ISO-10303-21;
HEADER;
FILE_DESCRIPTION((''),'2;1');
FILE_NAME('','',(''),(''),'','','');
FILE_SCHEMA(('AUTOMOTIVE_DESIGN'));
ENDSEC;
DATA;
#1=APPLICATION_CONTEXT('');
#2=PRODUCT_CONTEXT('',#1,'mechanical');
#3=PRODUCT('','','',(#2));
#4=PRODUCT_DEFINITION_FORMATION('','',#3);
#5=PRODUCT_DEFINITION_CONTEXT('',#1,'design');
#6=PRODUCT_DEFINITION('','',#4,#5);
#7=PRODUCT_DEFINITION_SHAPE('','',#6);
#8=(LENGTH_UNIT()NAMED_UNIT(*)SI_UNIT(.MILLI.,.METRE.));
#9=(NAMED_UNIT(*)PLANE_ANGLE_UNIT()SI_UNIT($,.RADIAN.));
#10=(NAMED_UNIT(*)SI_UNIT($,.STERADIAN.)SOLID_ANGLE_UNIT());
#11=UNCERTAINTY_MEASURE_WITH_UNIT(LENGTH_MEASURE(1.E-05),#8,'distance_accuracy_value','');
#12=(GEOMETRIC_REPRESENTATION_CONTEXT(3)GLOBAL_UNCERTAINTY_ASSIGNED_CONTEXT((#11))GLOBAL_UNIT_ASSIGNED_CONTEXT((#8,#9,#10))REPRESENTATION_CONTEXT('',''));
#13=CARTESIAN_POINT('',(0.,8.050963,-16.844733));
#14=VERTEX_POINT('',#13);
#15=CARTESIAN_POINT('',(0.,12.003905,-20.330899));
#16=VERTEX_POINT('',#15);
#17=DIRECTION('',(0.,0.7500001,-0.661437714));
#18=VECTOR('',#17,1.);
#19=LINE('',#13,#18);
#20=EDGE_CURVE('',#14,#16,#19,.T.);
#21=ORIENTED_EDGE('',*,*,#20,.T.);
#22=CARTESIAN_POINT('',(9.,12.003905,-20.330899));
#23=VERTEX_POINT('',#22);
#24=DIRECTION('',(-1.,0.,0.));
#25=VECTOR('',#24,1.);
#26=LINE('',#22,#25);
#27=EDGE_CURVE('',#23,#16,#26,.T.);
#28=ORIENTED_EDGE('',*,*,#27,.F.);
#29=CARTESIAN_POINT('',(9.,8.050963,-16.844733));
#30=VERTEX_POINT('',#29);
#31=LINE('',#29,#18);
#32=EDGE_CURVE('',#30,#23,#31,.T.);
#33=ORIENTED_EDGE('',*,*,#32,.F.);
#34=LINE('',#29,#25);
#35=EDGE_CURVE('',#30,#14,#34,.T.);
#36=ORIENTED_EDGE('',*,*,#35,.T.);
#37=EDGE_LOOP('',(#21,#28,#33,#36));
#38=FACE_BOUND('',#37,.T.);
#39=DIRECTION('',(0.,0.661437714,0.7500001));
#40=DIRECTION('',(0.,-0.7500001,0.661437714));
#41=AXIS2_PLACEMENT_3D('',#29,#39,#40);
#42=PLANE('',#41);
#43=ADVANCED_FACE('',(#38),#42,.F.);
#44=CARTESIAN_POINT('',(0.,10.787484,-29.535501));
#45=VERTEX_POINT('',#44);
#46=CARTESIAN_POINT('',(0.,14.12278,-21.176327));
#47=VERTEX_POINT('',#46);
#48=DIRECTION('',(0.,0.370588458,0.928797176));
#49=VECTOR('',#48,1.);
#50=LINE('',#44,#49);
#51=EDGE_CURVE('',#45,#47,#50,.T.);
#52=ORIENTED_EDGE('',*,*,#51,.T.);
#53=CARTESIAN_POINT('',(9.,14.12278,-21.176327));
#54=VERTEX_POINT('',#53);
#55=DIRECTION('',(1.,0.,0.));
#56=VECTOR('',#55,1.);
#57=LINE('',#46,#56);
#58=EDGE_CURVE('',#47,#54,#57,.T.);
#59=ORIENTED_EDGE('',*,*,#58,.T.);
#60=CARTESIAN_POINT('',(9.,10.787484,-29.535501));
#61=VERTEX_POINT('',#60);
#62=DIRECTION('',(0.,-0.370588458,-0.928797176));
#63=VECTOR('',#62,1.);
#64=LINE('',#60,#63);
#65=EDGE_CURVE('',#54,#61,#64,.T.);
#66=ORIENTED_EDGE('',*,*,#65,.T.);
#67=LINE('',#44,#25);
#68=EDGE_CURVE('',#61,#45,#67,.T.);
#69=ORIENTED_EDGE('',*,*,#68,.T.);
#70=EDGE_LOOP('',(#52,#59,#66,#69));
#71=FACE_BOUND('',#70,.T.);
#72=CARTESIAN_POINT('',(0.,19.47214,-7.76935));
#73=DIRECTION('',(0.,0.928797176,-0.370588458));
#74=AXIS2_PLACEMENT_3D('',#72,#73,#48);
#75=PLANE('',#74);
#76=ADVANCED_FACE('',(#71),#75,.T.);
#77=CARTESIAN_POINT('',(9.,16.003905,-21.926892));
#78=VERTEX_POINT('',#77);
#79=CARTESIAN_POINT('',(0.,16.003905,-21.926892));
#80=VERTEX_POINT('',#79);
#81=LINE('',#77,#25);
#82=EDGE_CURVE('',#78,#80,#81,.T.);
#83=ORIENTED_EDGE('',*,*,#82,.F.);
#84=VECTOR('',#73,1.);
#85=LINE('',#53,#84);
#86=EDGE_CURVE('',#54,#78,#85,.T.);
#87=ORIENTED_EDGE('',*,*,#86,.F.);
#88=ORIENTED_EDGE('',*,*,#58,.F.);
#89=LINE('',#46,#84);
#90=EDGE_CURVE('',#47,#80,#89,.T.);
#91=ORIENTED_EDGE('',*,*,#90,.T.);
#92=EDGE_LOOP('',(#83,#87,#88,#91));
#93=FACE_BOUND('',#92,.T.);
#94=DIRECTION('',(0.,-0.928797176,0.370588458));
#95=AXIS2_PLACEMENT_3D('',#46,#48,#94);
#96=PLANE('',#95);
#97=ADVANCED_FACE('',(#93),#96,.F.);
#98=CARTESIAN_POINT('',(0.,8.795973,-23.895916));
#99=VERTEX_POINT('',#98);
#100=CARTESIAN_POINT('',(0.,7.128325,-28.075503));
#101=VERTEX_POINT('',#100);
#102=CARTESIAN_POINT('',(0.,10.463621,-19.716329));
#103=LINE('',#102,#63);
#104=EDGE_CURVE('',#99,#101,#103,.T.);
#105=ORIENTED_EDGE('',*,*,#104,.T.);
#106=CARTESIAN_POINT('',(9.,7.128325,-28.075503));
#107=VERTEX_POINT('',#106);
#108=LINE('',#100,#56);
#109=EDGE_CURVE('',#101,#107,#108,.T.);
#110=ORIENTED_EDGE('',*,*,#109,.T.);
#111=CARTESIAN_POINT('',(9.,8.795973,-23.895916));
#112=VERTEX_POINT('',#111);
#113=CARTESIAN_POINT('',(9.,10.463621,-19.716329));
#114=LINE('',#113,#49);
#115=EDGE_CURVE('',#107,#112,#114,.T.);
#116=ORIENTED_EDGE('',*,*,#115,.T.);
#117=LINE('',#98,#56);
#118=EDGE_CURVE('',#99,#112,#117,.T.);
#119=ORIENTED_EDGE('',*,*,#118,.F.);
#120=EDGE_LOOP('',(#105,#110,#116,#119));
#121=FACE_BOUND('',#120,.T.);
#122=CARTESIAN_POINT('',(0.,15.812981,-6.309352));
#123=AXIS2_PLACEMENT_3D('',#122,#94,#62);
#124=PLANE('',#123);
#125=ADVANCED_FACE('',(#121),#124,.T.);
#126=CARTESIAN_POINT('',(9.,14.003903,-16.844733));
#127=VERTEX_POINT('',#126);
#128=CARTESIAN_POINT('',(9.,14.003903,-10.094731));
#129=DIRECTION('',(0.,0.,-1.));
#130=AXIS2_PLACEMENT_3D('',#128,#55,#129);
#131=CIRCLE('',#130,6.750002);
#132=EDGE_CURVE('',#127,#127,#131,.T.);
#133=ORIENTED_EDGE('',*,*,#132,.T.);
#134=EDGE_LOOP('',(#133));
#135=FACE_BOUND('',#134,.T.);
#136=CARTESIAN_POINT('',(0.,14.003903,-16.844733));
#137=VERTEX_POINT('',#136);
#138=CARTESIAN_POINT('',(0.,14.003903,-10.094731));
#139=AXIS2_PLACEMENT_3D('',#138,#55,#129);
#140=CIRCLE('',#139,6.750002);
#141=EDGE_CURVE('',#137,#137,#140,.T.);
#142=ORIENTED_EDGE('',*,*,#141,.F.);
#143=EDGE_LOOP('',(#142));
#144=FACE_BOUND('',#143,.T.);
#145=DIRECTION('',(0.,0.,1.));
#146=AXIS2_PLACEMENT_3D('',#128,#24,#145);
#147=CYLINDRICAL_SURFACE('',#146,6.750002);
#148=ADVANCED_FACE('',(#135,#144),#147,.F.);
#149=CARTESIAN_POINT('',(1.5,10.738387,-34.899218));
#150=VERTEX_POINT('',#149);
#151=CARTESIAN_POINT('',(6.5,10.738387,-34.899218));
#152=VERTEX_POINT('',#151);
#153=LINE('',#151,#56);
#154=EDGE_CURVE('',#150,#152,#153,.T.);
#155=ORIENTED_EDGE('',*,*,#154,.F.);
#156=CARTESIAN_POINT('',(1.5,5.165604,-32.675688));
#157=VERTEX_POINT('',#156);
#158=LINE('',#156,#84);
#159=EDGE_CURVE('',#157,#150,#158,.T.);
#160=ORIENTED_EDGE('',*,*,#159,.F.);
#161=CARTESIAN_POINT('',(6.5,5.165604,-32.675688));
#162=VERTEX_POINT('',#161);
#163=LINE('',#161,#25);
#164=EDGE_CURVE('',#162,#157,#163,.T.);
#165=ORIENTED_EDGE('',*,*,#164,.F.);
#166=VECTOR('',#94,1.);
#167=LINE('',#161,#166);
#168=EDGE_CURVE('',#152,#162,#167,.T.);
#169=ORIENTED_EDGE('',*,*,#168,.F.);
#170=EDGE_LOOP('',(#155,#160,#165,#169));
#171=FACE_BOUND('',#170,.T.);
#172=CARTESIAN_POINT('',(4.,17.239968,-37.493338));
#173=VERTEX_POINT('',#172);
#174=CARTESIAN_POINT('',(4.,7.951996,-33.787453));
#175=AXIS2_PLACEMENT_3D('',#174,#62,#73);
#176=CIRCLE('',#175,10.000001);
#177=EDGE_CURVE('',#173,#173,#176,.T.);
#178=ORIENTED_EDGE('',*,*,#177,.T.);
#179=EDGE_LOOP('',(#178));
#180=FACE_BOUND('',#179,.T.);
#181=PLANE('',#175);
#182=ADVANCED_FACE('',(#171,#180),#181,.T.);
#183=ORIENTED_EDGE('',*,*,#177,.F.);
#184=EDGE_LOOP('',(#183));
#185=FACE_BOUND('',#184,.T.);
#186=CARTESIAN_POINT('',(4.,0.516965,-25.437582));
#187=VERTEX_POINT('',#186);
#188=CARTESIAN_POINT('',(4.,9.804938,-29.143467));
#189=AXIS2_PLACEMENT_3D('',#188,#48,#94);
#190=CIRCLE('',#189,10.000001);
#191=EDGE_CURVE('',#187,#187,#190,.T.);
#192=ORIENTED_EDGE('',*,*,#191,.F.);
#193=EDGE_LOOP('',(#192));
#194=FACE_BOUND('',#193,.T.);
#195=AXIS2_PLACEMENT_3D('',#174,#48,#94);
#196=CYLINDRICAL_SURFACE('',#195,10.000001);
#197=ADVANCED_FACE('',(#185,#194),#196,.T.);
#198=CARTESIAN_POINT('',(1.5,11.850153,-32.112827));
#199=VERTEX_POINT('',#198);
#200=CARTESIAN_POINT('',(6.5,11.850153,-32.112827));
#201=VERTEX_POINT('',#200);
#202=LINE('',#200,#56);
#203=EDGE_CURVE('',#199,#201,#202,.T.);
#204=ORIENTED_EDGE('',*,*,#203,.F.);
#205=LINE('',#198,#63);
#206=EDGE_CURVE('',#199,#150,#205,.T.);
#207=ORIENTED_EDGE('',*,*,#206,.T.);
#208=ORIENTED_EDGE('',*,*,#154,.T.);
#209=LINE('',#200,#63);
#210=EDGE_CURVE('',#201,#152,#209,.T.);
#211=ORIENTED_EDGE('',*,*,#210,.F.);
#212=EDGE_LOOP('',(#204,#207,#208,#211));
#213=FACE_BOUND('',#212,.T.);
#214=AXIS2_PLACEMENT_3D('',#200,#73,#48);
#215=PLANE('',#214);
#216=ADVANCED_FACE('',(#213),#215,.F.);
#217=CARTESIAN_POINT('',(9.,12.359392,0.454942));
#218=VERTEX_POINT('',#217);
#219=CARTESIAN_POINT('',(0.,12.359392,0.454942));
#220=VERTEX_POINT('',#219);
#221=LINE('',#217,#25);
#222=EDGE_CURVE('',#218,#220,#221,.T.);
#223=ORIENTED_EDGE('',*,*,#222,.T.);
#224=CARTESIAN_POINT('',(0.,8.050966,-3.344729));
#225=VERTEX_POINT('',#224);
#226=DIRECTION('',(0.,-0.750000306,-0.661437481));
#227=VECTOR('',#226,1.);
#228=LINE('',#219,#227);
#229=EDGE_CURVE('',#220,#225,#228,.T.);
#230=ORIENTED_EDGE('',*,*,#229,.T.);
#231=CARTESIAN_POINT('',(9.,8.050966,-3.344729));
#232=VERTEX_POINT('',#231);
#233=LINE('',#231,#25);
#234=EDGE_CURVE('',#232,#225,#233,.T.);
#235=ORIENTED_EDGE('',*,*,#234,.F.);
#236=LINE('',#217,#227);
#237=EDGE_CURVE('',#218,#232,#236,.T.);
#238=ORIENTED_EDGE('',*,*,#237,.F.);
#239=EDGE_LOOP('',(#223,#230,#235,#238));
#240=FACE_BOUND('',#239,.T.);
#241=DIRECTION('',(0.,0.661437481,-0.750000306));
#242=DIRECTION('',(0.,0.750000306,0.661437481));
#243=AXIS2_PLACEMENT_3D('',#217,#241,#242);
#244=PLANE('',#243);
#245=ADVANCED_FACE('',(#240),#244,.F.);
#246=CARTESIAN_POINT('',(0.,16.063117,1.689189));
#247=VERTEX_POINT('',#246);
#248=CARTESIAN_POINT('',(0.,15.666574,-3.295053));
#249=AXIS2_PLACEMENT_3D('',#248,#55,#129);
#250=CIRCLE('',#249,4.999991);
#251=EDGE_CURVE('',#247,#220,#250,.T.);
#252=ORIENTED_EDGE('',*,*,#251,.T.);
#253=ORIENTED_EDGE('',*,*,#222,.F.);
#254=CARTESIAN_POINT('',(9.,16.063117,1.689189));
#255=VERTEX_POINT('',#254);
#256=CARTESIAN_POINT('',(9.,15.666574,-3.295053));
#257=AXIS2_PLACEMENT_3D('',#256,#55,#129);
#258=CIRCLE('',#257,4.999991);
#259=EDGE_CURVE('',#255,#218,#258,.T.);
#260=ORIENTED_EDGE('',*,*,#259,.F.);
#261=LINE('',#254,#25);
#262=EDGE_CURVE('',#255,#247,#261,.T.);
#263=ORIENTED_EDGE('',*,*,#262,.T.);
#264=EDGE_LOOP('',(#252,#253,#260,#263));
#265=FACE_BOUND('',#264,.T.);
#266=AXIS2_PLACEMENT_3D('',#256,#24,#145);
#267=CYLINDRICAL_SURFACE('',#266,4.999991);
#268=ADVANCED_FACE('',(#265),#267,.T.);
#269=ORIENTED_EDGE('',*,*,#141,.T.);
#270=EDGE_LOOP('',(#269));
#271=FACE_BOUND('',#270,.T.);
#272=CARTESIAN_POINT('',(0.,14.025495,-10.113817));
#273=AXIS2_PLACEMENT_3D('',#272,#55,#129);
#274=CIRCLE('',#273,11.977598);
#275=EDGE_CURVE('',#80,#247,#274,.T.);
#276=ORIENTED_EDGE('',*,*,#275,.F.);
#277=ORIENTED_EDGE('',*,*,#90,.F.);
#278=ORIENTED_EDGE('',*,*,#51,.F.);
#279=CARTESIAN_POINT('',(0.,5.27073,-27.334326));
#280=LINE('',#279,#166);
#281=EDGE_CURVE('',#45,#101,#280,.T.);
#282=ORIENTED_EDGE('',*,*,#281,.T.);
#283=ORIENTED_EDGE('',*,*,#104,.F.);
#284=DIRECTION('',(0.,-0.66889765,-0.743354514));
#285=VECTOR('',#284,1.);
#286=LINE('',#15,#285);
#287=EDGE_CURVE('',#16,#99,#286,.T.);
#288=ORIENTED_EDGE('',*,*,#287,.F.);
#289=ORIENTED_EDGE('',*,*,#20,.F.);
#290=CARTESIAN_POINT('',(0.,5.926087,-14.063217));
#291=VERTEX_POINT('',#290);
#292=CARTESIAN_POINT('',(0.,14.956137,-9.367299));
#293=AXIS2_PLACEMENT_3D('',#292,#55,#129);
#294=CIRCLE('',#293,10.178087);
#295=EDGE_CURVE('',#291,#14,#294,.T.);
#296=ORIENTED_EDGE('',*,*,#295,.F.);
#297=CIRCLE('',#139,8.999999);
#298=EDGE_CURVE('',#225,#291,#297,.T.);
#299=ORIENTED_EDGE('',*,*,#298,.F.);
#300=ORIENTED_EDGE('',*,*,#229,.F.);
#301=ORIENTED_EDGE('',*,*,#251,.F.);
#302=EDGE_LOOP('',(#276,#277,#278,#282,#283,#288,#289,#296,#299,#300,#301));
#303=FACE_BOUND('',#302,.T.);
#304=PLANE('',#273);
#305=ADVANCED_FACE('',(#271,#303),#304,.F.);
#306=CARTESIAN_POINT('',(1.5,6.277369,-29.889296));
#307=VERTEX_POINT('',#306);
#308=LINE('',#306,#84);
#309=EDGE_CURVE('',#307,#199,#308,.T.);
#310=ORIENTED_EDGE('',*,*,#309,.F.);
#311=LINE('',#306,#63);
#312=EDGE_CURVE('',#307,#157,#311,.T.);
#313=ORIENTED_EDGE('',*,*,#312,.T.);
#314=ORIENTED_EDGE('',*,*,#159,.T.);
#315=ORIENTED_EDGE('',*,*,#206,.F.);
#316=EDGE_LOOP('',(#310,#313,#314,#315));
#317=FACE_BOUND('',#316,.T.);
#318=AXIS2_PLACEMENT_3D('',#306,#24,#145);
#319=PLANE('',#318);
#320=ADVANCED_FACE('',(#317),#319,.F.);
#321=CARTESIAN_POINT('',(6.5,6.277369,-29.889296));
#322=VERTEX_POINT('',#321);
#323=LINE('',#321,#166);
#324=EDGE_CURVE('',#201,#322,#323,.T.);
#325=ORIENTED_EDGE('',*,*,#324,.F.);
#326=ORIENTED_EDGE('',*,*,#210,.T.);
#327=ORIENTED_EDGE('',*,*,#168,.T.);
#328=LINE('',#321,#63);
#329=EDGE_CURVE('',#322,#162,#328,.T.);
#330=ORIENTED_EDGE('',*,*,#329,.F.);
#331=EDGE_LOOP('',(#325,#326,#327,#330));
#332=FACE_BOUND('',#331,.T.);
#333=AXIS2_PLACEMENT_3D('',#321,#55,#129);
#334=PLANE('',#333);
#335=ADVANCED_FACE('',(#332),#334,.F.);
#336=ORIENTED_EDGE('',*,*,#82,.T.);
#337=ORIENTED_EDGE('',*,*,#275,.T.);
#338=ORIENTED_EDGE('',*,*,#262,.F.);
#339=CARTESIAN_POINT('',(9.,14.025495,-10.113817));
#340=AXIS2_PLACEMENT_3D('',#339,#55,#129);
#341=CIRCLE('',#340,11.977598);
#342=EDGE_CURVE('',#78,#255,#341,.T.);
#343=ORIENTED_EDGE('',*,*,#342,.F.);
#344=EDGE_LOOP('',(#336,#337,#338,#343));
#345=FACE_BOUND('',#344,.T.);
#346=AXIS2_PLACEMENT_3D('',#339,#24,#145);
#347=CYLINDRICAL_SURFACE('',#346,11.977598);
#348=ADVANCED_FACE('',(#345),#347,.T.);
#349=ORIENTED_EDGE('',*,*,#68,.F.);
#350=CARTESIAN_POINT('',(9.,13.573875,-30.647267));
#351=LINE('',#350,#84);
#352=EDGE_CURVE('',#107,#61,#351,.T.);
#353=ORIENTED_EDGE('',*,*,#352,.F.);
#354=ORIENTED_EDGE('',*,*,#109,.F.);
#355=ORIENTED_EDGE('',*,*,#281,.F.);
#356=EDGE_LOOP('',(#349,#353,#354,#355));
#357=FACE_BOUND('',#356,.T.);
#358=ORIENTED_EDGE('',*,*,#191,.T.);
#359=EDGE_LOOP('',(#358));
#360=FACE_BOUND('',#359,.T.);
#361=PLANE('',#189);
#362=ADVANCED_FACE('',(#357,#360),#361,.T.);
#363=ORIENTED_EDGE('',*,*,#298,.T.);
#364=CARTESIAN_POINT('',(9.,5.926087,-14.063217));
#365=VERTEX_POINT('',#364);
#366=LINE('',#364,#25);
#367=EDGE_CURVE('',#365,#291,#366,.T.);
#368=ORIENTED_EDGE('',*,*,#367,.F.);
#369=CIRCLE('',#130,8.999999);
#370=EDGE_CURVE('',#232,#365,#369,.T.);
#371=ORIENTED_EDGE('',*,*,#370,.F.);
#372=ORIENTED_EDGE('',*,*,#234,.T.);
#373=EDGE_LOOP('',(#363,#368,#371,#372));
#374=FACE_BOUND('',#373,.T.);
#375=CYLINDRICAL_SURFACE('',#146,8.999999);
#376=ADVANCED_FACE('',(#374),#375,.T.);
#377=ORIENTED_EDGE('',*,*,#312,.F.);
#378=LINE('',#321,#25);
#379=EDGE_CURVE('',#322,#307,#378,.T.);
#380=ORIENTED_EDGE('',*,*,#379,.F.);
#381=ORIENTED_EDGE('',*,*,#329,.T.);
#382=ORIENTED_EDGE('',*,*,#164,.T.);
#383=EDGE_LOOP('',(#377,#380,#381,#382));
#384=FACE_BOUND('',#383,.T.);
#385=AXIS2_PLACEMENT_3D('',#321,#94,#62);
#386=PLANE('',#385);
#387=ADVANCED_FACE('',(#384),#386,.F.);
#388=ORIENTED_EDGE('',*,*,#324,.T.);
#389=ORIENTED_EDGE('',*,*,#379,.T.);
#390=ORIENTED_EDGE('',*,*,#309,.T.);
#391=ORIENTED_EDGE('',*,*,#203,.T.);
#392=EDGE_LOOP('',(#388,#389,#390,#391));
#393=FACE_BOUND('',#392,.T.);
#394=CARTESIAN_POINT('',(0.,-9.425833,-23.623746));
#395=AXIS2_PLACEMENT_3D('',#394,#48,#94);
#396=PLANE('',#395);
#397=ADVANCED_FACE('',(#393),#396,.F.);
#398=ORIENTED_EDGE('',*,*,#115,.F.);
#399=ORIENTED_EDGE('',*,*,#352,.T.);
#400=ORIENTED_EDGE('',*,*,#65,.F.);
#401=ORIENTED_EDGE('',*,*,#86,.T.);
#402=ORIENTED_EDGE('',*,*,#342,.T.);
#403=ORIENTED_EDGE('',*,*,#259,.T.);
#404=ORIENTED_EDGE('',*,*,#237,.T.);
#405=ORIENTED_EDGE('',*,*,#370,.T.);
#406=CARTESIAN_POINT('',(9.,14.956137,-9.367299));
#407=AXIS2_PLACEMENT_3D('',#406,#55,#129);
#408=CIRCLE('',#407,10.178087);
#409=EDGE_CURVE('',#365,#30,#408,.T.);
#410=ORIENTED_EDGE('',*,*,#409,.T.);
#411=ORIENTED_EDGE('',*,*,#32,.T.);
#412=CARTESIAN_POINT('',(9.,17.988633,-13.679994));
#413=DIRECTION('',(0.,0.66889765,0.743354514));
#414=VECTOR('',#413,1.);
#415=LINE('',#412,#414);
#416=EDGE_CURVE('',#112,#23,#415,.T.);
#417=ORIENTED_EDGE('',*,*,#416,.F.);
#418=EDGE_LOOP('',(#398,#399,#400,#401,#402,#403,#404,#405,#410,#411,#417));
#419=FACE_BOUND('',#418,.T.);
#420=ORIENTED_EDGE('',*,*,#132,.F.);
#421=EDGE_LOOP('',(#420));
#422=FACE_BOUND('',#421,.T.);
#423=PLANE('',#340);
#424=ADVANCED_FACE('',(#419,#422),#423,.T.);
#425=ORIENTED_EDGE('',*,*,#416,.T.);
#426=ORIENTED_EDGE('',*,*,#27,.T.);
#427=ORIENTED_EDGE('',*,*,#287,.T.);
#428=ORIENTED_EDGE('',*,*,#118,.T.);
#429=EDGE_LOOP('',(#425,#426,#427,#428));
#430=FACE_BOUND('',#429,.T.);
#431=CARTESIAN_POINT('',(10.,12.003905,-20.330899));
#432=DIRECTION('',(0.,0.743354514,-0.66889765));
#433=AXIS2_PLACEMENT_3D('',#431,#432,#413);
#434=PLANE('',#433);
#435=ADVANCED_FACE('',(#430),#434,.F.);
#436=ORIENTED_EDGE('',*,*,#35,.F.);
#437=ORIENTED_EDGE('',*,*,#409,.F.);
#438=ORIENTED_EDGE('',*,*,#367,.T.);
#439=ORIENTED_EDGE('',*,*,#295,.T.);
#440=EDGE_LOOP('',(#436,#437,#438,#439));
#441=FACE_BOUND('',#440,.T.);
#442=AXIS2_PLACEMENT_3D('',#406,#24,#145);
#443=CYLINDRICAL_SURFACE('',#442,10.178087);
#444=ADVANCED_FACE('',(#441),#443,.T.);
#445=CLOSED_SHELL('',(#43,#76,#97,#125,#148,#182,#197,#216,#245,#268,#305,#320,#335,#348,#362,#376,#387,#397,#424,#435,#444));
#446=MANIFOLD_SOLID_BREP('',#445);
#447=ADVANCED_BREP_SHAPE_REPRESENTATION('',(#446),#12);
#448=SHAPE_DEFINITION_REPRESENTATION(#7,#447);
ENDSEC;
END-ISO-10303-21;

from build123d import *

# Parameters (mm, degrees)
SKETCH1_R           = 6.750001985
BOSS_EXTRUDE1_DEPTH = 9
SKETCH3_R           = 10.000000826
BOSS_EXTRUDE2_DEPTH = 14
SKETCH4_R           = 10.000000826
SKETCH4_W           = 9
SKETCH4_H           = 8.939675258
CUT_EXTRUDE1_DEPTH  = 9
SKETCH5_W           = 9
SKETCH5_H           = 9
CUT_EXTRUDE2_DEPTH  = 3
SKETCH6_W           = 9
SKETCH6_H           = 9
CUT_EXTRUDE4_DEPTH  = 2
CUT_EXTRUDE5_DEPTH  = 10
SKETCH8_W           = 5
SKETCH8_H           = 6
CUT_EXTRUDE6_DEPTH  = 3


with BuildPart() as part:
    # Sketch1 → Boss-Extrude1 (new body)
    with BuildSketch(Plane(origin=(0, 0, 0), x_dir=(0, 0, -1), z_dir=(1, 0, 0))):
        with BuildLine():
            Line((-0.454941956, 12.359391949), (3.344728948, 8.050966095))
            ThreePointArc((3.344728948, 8.050966095), (8.344592491, 5.175709333), (14.063217322, 5.92608719))
            ThreePointArc((14.063217322, 5.92608719), (15.54600466, 6.868056536), (16.844733397, 8.050963212))
            Line((16.844733397, 8.050963212), (20.330899398, 12.003905107))
            Line((20.330899398, 12.003905107), (21.92689244, 16.003905107))
            ThreePointArc((21.92689244, 16.003905107), (10.143848092, 26.003055139), (-1.689188798, 16.063116838))
            ThreePointArc((-1.689188798, 16.063116838), (-1.448481266, 14.085815778), (-0.454941956, 12.359391949))
        make_face()
        with Locations((10.094731316, 14.003903077)):
            Circle(SKETCH1_R, mode=Mode.SUBTRACT)
    extrude(amount=BOSS_EXTRUDE1_DEPTH)

    # Sketch3 → Boss-Extrude2 (add)
    with BuildSketch(Plane(origin=(0, -5.349360366, -13.40697666), x_dir=(-1, 0, 0), z_dir=(0, -0.3705884577579875, -0.9287971764473427))):
        with Locations(Location((-4, 19.907031212, 0), (0, 0, 90))):
            Circle(SKETCH3_R)
    extrude(amount=BOSS_EXTRUDE2_DEPTH)

    # Sketch4 → Cut-Extrude1 (cut)
    with BuildSketch(Plane(origin=(0, -5.349360366, -13.40697666), x_dir=(1, 0, 0), z_dir=(0, 0.3705884577579875, 0.9287971764473427))):
        with Locations(Location((4, 19.907031212, 0), (0, 0, 270))):
            Circle(SKETCH4_R)
        with Locations((4.5, 19.495062719)):
            Rectangle(SKETCH4_W, SKETCH4_H, mode=Mode.SUBTRACT)
    extrude(amount=-CUT_EXTRUDE1_DEPTH, mode=Mode.SUBTRACT)

    # Sketch5 → Cut-Extrude2 (cut)
    with BuildSketch(Plane(origin=(0, 22.258531777, -8.88111546), x_dir=(1, 0, 0), z_dir=(0, 0.9287971764473427, -0.3705884577579875))):
        with Locations((4.5, 18.934773275)):
            Rectangle(SKETCH5_W, SKETCH5_H)
    extrude(amount=-CUT_EXTRUDE2_DEPTH, mode=Mode.SUBTRACT)

    # Sketch6 → Cut-Extrude4 (cut)
    with BuildSketch(Plane(origin=(0, 13.955386639, -5.568174994), x_dir=(1, 0, 0), z_dir=(0, -0.9287971764473427, 0.3705884577579875))):
        with Locations((4.5, -18.934773275)):
            Rectangle(SKETCH6_W, SKETCH6_H)
    extrude(amount=-CUT_EXTRUDE4_DEPTH, mode=Mode.SUBTRACT)

    # Sketch7 → Cut-Extrude5 (cut)
    with BuildSketch(Plane.ZY):
        Polygon((-20.330899398, 12.003905107), (-23.895915863, 8.795972566), (-19.716328569, 10.463620626), align=None)
    extrude(amount=-CUT_EXTRUDE5_DEPTH, mode=Mode.SUBTRACT)

    # Sketch8 → Cut-Extrude6 (cut)
    with BuildSketch(Plane(origin=(0, -10.537598775, -26.41013713), x_dir=(-1, 0, 0), z_dir=(0, -0.3705884577579875, -0.9287971764473427))):
        with Locations((-4, 19.907031212)):
            Rectangle(SKETCH8_W, SKETCH8_H)
    extrude(amount=-CUT_EXTRUDE6_DEPTH, mode=Mode.SUBTRACT)


solid = part.part
